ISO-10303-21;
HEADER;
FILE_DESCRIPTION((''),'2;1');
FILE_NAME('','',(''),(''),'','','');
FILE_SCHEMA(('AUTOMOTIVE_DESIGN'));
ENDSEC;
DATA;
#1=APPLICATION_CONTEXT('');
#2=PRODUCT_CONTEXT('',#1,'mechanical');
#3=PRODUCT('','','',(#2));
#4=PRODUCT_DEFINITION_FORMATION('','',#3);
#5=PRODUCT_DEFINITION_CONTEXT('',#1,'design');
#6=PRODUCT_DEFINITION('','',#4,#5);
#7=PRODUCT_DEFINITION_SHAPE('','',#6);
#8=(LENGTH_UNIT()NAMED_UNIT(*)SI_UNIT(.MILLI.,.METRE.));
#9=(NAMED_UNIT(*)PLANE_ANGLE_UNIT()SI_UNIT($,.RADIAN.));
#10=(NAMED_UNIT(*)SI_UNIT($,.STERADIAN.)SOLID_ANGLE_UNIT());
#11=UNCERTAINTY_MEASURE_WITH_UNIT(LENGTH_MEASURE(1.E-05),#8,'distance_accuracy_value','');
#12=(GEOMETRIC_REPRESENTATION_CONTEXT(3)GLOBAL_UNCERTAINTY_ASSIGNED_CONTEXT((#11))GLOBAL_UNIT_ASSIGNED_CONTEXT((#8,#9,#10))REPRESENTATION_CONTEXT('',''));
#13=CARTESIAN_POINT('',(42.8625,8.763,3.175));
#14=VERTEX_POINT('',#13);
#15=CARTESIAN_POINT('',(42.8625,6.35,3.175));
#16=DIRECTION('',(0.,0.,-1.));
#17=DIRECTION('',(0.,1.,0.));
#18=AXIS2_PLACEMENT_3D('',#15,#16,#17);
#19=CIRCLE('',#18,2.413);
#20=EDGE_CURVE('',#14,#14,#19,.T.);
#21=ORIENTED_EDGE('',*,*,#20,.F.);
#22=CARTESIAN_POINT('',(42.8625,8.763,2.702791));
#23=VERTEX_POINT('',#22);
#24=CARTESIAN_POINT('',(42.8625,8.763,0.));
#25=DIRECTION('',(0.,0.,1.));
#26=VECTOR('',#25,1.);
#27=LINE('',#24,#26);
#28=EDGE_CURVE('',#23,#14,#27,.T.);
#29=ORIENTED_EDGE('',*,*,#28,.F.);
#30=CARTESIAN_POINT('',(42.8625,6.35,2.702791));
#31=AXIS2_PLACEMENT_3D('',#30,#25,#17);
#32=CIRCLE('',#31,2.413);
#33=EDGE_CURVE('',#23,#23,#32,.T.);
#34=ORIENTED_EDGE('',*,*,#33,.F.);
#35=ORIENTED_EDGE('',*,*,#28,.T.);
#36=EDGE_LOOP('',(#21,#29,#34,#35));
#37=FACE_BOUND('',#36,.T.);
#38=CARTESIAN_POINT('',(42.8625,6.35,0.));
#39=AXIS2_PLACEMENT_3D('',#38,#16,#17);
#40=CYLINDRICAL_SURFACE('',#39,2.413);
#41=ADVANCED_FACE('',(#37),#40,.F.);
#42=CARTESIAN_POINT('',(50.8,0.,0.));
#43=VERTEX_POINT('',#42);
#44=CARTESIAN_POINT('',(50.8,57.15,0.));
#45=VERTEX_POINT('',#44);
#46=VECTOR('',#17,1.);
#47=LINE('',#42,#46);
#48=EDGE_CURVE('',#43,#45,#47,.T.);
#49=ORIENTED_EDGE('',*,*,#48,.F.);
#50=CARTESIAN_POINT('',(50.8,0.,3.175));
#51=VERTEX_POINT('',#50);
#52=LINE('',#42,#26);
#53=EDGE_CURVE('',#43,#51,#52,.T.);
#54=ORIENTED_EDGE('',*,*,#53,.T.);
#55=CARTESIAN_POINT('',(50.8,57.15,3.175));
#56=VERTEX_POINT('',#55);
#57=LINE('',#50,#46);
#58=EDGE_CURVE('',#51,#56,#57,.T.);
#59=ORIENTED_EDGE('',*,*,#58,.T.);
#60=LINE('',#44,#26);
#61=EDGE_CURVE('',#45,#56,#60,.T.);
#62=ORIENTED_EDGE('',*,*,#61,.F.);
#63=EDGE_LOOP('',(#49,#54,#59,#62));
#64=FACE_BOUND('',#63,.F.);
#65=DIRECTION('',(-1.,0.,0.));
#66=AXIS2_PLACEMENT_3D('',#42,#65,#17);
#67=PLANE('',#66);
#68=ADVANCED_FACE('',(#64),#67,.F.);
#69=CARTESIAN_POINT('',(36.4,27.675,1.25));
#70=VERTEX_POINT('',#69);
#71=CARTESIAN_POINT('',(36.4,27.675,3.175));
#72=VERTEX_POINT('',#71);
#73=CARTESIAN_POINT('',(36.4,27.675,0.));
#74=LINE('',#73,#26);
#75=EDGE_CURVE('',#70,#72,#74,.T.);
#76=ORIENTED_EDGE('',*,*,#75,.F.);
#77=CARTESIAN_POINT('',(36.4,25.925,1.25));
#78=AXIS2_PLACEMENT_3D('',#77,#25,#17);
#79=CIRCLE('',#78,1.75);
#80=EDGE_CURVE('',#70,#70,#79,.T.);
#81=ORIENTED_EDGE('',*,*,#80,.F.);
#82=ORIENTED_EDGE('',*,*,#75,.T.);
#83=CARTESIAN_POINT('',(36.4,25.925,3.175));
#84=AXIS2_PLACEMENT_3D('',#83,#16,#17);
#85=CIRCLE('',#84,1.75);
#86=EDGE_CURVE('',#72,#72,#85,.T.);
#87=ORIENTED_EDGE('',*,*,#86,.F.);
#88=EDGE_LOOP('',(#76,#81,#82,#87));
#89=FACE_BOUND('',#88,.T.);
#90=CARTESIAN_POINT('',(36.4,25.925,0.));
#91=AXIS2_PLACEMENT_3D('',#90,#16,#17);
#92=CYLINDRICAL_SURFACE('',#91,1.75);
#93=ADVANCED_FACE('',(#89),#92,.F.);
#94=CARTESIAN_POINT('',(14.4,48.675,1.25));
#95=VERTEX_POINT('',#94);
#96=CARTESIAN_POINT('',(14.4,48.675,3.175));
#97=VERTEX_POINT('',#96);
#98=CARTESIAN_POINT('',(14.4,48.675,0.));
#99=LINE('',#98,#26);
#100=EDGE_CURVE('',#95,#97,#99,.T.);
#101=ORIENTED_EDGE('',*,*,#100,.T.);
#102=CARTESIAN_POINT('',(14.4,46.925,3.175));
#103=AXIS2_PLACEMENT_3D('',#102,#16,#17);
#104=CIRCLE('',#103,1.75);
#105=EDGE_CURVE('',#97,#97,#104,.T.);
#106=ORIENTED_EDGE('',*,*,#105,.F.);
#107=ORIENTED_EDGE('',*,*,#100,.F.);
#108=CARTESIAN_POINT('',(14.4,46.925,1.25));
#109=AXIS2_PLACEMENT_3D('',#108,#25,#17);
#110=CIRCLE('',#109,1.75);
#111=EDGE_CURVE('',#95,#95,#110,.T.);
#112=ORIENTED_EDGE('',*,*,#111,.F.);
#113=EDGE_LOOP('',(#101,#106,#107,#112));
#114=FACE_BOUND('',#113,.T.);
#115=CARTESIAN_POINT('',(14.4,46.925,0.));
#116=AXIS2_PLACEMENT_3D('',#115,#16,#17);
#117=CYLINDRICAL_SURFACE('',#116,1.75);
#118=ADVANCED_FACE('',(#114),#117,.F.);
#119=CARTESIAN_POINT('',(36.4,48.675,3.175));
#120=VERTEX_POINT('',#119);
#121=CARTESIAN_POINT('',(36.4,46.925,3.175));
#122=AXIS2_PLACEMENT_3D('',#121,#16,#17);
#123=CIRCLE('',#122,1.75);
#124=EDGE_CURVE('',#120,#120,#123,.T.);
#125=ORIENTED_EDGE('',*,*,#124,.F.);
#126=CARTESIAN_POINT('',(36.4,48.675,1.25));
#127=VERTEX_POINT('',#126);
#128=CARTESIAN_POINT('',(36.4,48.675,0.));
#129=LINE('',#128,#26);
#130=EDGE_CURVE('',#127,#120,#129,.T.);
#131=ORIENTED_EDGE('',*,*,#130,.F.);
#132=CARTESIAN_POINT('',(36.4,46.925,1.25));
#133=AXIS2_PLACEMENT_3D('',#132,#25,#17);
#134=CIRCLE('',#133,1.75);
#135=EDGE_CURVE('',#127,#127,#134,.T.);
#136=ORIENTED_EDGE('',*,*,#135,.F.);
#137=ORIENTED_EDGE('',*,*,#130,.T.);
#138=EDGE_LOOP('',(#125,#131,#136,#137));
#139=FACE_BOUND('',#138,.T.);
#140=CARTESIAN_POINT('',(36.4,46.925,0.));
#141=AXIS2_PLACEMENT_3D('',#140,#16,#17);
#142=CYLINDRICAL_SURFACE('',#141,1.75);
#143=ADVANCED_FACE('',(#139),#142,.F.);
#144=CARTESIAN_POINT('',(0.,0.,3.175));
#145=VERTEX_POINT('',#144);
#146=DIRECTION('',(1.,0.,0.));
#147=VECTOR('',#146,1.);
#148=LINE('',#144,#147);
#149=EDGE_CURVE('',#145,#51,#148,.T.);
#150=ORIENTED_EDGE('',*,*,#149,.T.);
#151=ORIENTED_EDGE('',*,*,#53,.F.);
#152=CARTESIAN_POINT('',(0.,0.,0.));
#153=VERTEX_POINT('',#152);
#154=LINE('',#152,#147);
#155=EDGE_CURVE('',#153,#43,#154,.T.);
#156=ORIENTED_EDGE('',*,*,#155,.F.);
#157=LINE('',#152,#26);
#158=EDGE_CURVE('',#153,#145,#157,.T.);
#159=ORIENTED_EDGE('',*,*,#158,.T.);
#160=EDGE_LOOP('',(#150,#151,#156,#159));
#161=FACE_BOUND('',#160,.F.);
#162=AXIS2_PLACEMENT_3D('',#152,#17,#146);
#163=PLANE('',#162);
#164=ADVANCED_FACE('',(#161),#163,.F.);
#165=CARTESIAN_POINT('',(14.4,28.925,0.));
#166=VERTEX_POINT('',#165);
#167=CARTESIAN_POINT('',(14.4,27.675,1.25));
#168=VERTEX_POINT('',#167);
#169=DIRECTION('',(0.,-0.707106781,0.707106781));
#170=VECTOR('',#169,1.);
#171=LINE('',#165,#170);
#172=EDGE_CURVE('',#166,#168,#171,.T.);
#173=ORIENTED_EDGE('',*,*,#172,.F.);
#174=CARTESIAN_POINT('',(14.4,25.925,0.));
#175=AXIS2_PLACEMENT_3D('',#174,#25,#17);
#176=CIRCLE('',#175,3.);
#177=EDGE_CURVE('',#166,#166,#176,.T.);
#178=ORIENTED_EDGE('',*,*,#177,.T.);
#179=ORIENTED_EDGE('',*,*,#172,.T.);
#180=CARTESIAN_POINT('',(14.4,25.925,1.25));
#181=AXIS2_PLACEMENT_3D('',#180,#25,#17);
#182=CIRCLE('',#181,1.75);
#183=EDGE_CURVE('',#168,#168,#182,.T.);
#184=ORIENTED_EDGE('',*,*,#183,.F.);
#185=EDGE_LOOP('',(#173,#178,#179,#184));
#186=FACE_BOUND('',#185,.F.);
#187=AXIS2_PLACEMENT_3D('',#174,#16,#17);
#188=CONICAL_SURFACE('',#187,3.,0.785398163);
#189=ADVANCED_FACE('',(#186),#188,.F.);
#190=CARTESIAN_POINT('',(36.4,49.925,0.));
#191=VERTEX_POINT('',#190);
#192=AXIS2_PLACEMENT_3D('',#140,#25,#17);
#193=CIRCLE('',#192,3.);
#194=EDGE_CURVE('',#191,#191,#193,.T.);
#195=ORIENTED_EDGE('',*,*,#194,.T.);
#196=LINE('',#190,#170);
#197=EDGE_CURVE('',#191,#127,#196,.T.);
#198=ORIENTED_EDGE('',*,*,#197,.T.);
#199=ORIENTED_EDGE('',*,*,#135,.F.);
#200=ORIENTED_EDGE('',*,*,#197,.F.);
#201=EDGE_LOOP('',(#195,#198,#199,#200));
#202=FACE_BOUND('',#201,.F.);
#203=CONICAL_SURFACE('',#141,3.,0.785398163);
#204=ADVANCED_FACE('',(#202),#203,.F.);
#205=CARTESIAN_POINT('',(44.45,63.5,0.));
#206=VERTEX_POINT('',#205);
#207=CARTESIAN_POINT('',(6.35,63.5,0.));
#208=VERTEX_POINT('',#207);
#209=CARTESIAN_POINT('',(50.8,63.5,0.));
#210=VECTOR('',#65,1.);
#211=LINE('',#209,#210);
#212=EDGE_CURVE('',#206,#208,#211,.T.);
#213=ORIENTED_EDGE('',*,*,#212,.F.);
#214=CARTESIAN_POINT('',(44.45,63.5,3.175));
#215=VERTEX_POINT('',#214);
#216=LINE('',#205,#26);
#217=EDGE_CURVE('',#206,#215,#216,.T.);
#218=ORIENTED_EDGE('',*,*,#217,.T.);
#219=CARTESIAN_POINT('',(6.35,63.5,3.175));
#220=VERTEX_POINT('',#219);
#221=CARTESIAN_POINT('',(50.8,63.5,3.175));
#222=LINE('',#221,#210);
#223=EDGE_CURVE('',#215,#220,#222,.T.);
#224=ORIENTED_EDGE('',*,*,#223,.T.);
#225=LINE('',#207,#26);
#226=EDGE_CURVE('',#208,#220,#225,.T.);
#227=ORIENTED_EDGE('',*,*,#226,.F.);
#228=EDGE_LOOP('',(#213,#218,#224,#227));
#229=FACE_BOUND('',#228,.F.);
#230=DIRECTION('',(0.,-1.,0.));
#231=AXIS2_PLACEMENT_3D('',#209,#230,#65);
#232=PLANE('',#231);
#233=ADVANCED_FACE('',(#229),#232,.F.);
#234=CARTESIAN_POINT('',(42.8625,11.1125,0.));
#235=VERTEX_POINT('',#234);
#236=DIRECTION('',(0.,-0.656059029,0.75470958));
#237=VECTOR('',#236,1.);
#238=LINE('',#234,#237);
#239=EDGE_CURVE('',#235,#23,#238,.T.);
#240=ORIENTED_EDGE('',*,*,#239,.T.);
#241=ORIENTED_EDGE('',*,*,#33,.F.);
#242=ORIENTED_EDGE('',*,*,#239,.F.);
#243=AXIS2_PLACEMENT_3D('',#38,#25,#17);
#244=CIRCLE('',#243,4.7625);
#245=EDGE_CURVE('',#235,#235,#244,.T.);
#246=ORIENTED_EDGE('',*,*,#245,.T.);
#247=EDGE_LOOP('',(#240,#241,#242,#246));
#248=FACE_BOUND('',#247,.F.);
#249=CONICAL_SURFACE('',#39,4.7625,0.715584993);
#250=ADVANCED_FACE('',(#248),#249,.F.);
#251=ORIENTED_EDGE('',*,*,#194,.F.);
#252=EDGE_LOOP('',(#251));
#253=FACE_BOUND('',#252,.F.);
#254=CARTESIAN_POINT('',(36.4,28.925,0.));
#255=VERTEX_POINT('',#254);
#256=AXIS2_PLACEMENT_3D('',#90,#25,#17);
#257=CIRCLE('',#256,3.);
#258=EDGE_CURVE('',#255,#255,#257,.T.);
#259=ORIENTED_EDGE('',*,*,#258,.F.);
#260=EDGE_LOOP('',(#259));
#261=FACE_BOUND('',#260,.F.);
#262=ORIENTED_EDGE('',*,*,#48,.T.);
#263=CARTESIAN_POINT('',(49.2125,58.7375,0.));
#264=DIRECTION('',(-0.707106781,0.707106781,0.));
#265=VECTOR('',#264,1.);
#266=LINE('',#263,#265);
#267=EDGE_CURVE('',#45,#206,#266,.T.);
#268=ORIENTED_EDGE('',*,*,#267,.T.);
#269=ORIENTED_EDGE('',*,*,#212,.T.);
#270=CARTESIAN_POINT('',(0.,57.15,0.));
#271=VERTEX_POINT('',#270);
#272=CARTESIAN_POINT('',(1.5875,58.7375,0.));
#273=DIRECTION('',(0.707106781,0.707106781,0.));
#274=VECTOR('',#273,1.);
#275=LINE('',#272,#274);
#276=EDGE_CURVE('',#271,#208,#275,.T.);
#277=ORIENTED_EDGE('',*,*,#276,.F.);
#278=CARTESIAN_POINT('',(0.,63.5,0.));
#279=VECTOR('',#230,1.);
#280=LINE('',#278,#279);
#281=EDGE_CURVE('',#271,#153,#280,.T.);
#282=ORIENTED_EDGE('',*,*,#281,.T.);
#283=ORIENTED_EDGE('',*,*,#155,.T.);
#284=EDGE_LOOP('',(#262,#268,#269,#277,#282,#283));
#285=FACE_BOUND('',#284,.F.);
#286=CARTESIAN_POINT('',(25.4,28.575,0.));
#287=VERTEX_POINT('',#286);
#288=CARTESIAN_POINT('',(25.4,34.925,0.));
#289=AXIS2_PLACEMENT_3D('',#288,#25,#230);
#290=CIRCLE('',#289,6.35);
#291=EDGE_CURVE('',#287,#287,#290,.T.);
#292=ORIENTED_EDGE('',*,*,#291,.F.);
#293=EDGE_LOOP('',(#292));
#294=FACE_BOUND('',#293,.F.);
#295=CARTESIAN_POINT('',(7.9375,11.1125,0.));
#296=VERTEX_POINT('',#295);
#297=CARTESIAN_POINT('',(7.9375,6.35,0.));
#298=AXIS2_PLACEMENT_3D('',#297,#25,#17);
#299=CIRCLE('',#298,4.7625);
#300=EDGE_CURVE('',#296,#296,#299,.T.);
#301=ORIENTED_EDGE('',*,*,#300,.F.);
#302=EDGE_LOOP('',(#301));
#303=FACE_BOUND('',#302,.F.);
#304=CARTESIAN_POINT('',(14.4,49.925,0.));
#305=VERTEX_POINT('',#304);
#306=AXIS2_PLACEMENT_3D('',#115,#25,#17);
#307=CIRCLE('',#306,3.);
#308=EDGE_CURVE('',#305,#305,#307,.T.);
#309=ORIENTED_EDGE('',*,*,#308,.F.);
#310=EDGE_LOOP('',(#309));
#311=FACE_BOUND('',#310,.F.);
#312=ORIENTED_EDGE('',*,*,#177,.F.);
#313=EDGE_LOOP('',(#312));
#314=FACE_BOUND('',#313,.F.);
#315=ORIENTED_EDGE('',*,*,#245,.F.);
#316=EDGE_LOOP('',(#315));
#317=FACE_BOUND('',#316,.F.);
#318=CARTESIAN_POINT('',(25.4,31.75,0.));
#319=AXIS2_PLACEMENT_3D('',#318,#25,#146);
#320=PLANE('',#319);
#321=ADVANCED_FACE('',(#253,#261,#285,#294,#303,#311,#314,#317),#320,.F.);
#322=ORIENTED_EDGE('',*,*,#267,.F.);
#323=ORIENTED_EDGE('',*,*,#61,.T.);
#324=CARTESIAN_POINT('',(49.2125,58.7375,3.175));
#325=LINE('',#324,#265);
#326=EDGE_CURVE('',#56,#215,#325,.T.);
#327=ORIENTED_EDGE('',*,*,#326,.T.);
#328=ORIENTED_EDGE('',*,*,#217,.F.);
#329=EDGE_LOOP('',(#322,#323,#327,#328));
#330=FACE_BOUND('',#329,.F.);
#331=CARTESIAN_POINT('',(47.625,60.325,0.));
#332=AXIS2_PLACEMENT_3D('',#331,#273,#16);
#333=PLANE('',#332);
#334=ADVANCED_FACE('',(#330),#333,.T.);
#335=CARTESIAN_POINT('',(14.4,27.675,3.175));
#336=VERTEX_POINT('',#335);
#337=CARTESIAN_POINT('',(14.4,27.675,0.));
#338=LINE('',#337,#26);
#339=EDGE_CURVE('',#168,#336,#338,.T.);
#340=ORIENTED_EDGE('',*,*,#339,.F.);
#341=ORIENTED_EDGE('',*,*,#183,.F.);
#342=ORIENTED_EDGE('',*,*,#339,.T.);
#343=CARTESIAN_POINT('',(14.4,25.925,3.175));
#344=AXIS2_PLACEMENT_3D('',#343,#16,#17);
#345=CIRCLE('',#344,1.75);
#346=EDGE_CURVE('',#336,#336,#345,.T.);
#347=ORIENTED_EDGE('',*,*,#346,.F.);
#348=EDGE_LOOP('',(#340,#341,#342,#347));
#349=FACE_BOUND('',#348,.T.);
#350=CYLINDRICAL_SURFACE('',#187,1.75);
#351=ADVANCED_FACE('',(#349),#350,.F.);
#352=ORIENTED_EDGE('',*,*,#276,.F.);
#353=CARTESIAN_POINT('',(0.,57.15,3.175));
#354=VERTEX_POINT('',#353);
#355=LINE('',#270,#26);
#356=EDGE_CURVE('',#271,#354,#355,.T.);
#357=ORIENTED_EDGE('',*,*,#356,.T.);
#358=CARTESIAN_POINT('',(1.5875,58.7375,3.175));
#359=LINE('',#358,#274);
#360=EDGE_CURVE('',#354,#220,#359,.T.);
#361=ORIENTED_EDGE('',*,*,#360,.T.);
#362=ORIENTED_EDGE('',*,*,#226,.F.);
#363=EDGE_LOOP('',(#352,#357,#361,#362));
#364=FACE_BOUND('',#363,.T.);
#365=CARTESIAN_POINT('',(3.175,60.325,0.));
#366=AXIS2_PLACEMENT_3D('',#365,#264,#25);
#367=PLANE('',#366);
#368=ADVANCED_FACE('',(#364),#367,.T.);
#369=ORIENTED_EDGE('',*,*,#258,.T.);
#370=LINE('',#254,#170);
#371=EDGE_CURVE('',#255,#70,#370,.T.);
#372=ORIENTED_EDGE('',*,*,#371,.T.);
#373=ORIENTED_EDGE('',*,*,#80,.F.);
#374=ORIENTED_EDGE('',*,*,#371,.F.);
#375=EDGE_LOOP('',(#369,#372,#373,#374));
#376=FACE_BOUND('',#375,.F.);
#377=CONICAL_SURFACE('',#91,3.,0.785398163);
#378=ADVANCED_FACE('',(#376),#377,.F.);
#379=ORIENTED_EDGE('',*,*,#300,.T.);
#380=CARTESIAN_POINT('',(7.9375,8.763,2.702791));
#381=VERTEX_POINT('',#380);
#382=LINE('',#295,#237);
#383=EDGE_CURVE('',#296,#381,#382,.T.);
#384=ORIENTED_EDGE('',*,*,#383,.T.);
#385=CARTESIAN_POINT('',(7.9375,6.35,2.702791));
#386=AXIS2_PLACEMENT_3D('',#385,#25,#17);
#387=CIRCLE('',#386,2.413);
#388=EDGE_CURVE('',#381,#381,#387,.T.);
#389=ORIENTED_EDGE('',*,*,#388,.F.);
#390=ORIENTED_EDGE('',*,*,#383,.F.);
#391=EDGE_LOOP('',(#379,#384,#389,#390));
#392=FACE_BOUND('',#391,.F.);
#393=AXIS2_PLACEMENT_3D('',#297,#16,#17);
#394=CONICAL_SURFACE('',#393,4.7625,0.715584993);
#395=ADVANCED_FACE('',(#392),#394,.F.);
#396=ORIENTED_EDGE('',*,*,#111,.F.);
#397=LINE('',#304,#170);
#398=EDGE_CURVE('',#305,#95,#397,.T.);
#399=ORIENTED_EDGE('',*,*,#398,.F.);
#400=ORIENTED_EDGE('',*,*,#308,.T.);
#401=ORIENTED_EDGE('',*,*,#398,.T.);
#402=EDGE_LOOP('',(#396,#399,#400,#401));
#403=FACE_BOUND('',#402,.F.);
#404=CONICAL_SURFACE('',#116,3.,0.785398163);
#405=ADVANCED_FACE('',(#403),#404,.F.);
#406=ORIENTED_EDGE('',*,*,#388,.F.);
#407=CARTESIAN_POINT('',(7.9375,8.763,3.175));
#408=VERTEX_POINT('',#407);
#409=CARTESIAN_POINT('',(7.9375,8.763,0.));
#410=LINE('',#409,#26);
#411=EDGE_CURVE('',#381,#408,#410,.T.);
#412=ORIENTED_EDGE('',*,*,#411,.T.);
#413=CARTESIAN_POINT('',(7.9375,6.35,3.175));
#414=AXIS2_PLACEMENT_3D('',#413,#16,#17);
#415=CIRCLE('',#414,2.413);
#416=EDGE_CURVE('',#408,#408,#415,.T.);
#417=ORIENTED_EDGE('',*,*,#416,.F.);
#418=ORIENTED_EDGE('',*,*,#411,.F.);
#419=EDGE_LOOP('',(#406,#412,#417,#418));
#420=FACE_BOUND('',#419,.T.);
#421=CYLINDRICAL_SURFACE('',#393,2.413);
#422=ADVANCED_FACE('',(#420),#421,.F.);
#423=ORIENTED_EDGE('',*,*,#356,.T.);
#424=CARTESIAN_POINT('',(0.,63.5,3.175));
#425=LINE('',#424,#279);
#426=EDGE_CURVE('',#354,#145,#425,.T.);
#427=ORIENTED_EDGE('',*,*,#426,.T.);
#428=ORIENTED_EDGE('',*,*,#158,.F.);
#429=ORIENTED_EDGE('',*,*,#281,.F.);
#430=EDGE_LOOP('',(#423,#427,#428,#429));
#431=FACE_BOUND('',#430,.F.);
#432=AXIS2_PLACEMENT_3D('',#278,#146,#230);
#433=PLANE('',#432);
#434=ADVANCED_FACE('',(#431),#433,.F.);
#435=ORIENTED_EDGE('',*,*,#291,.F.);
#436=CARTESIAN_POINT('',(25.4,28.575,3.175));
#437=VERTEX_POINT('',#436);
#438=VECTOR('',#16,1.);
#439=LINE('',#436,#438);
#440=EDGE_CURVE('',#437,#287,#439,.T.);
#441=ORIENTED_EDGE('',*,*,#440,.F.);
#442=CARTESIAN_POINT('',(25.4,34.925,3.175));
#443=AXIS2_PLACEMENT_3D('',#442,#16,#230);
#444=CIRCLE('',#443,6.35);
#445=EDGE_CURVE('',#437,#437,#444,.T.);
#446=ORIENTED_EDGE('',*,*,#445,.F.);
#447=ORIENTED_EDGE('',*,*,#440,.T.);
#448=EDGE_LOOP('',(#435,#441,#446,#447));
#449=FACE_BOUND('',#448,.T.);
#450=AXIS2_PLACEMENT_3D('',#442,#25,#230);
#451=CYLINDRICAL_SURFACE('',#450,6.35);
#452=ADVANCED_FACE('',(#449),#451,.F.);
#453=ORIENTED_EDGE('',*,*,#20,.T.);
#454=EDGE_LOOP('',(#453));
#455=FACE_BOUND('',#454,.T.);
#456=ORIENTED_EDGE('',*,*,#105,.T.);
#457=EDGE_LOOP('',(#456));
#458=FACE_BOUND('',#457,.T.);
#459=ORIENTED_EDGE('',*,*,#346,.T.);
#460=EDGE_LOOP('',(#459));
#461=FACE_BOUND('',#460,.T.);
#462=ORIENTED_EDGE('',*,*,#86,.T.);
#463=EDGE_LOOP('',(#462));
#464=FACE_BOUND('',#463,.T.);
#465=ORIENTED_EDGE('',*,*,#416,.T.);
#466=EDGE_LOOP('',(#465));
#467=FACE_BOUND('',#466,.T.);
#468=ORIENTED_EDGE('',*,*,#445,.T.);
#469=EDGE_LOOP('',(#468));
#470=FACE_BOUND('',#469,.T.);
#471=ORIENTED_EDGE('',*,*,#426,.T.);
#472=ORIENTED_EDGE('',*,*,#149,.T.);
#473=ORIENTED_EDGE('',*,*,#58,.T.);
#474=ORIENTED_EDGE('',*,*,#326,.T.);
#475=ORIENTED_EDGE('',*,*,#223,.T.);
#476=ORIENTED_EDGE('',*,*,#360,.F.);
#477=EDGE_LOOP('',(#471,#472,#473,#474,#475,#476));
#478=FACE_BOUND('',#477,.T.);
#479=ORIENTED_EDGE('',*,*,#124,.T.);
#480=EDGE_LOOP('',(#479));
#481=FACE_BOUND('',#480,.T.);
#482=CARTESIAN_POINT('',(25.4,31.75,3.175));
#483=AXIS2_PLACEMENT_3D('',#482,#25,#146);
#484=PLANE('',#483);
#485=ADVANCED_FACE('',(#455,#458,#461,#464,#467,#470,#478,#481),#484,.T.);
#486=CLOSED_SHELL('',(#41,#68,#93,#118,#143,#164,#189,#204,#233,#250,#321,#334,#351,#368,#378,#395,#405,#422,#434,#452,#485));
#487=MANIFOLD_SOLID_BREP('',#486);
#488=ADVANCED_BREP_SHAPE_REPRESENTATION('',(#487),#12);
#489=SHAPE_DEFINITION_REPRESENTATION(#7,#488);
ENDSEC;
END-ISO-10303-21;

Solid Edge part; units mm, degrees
sketch "Sketch1" plane through (0, 0, 0) normal (0, 0, 1) x (1, 0, 0)
  line L0 (0, 0) -> (50.8, 0)
  line L1 (50.8, 0) -> (50.8, 63.5)
  line L2 (50.8, 63.5) -> (0, 63.5)
  line L3 (0, 63.5) -> (0, 0)
  dimension "D1" = 50.8
  dimension "D2" = 63.5
extrude "Protrusion1" add sketch "Sketch1" along normal blind 3.175
hole "Hole_1" at (7.9375, 6.35, 0) direction (0, 0, 1) diameter 4.826 end up to next countersink diameter 9.525 countersink angle 82
hole "Hole1" at (42.8625, 6.35, 0) direction (0, 0, 1) diameter 4.826 end up to next countersink diameter 9.525 countersink angle 82
hole "Hole_2" at (25.4, 34.925, 3.175) direction (0, 0, -1) diameter 12.7 end up to next
chamfer "Chamfer_1" distance 6.35 angle 45 2 edges at (0, 63.5, 1.5875) (50.8, 63.5, 1.5875)
hole "Hole_4" at (14.4, 46.925, 0) direction (0, 0, 1) diameter 3.5 end up to next countersink diameter 6 countersink angle 90
hole "Hole2" at (14.4, 25.925, 0) direction (0, 0, 1) diameter 3.5 end up to next countersink diameter 6 countersink angle 90
hole "Hole3" at (36.4, 25.925, 0) direction (0, 0, 1) diameter 3.5 end up to next countersink diameter 6 countersink angle 90
hole "Hole4" at (36.4, 46.925, 0) direction (0, 0, 1) diameter 3.5 end up to next countersink diameter 6 countersink angle 90
properties part number "CHAS-04" material "Aluminum, 1060"
